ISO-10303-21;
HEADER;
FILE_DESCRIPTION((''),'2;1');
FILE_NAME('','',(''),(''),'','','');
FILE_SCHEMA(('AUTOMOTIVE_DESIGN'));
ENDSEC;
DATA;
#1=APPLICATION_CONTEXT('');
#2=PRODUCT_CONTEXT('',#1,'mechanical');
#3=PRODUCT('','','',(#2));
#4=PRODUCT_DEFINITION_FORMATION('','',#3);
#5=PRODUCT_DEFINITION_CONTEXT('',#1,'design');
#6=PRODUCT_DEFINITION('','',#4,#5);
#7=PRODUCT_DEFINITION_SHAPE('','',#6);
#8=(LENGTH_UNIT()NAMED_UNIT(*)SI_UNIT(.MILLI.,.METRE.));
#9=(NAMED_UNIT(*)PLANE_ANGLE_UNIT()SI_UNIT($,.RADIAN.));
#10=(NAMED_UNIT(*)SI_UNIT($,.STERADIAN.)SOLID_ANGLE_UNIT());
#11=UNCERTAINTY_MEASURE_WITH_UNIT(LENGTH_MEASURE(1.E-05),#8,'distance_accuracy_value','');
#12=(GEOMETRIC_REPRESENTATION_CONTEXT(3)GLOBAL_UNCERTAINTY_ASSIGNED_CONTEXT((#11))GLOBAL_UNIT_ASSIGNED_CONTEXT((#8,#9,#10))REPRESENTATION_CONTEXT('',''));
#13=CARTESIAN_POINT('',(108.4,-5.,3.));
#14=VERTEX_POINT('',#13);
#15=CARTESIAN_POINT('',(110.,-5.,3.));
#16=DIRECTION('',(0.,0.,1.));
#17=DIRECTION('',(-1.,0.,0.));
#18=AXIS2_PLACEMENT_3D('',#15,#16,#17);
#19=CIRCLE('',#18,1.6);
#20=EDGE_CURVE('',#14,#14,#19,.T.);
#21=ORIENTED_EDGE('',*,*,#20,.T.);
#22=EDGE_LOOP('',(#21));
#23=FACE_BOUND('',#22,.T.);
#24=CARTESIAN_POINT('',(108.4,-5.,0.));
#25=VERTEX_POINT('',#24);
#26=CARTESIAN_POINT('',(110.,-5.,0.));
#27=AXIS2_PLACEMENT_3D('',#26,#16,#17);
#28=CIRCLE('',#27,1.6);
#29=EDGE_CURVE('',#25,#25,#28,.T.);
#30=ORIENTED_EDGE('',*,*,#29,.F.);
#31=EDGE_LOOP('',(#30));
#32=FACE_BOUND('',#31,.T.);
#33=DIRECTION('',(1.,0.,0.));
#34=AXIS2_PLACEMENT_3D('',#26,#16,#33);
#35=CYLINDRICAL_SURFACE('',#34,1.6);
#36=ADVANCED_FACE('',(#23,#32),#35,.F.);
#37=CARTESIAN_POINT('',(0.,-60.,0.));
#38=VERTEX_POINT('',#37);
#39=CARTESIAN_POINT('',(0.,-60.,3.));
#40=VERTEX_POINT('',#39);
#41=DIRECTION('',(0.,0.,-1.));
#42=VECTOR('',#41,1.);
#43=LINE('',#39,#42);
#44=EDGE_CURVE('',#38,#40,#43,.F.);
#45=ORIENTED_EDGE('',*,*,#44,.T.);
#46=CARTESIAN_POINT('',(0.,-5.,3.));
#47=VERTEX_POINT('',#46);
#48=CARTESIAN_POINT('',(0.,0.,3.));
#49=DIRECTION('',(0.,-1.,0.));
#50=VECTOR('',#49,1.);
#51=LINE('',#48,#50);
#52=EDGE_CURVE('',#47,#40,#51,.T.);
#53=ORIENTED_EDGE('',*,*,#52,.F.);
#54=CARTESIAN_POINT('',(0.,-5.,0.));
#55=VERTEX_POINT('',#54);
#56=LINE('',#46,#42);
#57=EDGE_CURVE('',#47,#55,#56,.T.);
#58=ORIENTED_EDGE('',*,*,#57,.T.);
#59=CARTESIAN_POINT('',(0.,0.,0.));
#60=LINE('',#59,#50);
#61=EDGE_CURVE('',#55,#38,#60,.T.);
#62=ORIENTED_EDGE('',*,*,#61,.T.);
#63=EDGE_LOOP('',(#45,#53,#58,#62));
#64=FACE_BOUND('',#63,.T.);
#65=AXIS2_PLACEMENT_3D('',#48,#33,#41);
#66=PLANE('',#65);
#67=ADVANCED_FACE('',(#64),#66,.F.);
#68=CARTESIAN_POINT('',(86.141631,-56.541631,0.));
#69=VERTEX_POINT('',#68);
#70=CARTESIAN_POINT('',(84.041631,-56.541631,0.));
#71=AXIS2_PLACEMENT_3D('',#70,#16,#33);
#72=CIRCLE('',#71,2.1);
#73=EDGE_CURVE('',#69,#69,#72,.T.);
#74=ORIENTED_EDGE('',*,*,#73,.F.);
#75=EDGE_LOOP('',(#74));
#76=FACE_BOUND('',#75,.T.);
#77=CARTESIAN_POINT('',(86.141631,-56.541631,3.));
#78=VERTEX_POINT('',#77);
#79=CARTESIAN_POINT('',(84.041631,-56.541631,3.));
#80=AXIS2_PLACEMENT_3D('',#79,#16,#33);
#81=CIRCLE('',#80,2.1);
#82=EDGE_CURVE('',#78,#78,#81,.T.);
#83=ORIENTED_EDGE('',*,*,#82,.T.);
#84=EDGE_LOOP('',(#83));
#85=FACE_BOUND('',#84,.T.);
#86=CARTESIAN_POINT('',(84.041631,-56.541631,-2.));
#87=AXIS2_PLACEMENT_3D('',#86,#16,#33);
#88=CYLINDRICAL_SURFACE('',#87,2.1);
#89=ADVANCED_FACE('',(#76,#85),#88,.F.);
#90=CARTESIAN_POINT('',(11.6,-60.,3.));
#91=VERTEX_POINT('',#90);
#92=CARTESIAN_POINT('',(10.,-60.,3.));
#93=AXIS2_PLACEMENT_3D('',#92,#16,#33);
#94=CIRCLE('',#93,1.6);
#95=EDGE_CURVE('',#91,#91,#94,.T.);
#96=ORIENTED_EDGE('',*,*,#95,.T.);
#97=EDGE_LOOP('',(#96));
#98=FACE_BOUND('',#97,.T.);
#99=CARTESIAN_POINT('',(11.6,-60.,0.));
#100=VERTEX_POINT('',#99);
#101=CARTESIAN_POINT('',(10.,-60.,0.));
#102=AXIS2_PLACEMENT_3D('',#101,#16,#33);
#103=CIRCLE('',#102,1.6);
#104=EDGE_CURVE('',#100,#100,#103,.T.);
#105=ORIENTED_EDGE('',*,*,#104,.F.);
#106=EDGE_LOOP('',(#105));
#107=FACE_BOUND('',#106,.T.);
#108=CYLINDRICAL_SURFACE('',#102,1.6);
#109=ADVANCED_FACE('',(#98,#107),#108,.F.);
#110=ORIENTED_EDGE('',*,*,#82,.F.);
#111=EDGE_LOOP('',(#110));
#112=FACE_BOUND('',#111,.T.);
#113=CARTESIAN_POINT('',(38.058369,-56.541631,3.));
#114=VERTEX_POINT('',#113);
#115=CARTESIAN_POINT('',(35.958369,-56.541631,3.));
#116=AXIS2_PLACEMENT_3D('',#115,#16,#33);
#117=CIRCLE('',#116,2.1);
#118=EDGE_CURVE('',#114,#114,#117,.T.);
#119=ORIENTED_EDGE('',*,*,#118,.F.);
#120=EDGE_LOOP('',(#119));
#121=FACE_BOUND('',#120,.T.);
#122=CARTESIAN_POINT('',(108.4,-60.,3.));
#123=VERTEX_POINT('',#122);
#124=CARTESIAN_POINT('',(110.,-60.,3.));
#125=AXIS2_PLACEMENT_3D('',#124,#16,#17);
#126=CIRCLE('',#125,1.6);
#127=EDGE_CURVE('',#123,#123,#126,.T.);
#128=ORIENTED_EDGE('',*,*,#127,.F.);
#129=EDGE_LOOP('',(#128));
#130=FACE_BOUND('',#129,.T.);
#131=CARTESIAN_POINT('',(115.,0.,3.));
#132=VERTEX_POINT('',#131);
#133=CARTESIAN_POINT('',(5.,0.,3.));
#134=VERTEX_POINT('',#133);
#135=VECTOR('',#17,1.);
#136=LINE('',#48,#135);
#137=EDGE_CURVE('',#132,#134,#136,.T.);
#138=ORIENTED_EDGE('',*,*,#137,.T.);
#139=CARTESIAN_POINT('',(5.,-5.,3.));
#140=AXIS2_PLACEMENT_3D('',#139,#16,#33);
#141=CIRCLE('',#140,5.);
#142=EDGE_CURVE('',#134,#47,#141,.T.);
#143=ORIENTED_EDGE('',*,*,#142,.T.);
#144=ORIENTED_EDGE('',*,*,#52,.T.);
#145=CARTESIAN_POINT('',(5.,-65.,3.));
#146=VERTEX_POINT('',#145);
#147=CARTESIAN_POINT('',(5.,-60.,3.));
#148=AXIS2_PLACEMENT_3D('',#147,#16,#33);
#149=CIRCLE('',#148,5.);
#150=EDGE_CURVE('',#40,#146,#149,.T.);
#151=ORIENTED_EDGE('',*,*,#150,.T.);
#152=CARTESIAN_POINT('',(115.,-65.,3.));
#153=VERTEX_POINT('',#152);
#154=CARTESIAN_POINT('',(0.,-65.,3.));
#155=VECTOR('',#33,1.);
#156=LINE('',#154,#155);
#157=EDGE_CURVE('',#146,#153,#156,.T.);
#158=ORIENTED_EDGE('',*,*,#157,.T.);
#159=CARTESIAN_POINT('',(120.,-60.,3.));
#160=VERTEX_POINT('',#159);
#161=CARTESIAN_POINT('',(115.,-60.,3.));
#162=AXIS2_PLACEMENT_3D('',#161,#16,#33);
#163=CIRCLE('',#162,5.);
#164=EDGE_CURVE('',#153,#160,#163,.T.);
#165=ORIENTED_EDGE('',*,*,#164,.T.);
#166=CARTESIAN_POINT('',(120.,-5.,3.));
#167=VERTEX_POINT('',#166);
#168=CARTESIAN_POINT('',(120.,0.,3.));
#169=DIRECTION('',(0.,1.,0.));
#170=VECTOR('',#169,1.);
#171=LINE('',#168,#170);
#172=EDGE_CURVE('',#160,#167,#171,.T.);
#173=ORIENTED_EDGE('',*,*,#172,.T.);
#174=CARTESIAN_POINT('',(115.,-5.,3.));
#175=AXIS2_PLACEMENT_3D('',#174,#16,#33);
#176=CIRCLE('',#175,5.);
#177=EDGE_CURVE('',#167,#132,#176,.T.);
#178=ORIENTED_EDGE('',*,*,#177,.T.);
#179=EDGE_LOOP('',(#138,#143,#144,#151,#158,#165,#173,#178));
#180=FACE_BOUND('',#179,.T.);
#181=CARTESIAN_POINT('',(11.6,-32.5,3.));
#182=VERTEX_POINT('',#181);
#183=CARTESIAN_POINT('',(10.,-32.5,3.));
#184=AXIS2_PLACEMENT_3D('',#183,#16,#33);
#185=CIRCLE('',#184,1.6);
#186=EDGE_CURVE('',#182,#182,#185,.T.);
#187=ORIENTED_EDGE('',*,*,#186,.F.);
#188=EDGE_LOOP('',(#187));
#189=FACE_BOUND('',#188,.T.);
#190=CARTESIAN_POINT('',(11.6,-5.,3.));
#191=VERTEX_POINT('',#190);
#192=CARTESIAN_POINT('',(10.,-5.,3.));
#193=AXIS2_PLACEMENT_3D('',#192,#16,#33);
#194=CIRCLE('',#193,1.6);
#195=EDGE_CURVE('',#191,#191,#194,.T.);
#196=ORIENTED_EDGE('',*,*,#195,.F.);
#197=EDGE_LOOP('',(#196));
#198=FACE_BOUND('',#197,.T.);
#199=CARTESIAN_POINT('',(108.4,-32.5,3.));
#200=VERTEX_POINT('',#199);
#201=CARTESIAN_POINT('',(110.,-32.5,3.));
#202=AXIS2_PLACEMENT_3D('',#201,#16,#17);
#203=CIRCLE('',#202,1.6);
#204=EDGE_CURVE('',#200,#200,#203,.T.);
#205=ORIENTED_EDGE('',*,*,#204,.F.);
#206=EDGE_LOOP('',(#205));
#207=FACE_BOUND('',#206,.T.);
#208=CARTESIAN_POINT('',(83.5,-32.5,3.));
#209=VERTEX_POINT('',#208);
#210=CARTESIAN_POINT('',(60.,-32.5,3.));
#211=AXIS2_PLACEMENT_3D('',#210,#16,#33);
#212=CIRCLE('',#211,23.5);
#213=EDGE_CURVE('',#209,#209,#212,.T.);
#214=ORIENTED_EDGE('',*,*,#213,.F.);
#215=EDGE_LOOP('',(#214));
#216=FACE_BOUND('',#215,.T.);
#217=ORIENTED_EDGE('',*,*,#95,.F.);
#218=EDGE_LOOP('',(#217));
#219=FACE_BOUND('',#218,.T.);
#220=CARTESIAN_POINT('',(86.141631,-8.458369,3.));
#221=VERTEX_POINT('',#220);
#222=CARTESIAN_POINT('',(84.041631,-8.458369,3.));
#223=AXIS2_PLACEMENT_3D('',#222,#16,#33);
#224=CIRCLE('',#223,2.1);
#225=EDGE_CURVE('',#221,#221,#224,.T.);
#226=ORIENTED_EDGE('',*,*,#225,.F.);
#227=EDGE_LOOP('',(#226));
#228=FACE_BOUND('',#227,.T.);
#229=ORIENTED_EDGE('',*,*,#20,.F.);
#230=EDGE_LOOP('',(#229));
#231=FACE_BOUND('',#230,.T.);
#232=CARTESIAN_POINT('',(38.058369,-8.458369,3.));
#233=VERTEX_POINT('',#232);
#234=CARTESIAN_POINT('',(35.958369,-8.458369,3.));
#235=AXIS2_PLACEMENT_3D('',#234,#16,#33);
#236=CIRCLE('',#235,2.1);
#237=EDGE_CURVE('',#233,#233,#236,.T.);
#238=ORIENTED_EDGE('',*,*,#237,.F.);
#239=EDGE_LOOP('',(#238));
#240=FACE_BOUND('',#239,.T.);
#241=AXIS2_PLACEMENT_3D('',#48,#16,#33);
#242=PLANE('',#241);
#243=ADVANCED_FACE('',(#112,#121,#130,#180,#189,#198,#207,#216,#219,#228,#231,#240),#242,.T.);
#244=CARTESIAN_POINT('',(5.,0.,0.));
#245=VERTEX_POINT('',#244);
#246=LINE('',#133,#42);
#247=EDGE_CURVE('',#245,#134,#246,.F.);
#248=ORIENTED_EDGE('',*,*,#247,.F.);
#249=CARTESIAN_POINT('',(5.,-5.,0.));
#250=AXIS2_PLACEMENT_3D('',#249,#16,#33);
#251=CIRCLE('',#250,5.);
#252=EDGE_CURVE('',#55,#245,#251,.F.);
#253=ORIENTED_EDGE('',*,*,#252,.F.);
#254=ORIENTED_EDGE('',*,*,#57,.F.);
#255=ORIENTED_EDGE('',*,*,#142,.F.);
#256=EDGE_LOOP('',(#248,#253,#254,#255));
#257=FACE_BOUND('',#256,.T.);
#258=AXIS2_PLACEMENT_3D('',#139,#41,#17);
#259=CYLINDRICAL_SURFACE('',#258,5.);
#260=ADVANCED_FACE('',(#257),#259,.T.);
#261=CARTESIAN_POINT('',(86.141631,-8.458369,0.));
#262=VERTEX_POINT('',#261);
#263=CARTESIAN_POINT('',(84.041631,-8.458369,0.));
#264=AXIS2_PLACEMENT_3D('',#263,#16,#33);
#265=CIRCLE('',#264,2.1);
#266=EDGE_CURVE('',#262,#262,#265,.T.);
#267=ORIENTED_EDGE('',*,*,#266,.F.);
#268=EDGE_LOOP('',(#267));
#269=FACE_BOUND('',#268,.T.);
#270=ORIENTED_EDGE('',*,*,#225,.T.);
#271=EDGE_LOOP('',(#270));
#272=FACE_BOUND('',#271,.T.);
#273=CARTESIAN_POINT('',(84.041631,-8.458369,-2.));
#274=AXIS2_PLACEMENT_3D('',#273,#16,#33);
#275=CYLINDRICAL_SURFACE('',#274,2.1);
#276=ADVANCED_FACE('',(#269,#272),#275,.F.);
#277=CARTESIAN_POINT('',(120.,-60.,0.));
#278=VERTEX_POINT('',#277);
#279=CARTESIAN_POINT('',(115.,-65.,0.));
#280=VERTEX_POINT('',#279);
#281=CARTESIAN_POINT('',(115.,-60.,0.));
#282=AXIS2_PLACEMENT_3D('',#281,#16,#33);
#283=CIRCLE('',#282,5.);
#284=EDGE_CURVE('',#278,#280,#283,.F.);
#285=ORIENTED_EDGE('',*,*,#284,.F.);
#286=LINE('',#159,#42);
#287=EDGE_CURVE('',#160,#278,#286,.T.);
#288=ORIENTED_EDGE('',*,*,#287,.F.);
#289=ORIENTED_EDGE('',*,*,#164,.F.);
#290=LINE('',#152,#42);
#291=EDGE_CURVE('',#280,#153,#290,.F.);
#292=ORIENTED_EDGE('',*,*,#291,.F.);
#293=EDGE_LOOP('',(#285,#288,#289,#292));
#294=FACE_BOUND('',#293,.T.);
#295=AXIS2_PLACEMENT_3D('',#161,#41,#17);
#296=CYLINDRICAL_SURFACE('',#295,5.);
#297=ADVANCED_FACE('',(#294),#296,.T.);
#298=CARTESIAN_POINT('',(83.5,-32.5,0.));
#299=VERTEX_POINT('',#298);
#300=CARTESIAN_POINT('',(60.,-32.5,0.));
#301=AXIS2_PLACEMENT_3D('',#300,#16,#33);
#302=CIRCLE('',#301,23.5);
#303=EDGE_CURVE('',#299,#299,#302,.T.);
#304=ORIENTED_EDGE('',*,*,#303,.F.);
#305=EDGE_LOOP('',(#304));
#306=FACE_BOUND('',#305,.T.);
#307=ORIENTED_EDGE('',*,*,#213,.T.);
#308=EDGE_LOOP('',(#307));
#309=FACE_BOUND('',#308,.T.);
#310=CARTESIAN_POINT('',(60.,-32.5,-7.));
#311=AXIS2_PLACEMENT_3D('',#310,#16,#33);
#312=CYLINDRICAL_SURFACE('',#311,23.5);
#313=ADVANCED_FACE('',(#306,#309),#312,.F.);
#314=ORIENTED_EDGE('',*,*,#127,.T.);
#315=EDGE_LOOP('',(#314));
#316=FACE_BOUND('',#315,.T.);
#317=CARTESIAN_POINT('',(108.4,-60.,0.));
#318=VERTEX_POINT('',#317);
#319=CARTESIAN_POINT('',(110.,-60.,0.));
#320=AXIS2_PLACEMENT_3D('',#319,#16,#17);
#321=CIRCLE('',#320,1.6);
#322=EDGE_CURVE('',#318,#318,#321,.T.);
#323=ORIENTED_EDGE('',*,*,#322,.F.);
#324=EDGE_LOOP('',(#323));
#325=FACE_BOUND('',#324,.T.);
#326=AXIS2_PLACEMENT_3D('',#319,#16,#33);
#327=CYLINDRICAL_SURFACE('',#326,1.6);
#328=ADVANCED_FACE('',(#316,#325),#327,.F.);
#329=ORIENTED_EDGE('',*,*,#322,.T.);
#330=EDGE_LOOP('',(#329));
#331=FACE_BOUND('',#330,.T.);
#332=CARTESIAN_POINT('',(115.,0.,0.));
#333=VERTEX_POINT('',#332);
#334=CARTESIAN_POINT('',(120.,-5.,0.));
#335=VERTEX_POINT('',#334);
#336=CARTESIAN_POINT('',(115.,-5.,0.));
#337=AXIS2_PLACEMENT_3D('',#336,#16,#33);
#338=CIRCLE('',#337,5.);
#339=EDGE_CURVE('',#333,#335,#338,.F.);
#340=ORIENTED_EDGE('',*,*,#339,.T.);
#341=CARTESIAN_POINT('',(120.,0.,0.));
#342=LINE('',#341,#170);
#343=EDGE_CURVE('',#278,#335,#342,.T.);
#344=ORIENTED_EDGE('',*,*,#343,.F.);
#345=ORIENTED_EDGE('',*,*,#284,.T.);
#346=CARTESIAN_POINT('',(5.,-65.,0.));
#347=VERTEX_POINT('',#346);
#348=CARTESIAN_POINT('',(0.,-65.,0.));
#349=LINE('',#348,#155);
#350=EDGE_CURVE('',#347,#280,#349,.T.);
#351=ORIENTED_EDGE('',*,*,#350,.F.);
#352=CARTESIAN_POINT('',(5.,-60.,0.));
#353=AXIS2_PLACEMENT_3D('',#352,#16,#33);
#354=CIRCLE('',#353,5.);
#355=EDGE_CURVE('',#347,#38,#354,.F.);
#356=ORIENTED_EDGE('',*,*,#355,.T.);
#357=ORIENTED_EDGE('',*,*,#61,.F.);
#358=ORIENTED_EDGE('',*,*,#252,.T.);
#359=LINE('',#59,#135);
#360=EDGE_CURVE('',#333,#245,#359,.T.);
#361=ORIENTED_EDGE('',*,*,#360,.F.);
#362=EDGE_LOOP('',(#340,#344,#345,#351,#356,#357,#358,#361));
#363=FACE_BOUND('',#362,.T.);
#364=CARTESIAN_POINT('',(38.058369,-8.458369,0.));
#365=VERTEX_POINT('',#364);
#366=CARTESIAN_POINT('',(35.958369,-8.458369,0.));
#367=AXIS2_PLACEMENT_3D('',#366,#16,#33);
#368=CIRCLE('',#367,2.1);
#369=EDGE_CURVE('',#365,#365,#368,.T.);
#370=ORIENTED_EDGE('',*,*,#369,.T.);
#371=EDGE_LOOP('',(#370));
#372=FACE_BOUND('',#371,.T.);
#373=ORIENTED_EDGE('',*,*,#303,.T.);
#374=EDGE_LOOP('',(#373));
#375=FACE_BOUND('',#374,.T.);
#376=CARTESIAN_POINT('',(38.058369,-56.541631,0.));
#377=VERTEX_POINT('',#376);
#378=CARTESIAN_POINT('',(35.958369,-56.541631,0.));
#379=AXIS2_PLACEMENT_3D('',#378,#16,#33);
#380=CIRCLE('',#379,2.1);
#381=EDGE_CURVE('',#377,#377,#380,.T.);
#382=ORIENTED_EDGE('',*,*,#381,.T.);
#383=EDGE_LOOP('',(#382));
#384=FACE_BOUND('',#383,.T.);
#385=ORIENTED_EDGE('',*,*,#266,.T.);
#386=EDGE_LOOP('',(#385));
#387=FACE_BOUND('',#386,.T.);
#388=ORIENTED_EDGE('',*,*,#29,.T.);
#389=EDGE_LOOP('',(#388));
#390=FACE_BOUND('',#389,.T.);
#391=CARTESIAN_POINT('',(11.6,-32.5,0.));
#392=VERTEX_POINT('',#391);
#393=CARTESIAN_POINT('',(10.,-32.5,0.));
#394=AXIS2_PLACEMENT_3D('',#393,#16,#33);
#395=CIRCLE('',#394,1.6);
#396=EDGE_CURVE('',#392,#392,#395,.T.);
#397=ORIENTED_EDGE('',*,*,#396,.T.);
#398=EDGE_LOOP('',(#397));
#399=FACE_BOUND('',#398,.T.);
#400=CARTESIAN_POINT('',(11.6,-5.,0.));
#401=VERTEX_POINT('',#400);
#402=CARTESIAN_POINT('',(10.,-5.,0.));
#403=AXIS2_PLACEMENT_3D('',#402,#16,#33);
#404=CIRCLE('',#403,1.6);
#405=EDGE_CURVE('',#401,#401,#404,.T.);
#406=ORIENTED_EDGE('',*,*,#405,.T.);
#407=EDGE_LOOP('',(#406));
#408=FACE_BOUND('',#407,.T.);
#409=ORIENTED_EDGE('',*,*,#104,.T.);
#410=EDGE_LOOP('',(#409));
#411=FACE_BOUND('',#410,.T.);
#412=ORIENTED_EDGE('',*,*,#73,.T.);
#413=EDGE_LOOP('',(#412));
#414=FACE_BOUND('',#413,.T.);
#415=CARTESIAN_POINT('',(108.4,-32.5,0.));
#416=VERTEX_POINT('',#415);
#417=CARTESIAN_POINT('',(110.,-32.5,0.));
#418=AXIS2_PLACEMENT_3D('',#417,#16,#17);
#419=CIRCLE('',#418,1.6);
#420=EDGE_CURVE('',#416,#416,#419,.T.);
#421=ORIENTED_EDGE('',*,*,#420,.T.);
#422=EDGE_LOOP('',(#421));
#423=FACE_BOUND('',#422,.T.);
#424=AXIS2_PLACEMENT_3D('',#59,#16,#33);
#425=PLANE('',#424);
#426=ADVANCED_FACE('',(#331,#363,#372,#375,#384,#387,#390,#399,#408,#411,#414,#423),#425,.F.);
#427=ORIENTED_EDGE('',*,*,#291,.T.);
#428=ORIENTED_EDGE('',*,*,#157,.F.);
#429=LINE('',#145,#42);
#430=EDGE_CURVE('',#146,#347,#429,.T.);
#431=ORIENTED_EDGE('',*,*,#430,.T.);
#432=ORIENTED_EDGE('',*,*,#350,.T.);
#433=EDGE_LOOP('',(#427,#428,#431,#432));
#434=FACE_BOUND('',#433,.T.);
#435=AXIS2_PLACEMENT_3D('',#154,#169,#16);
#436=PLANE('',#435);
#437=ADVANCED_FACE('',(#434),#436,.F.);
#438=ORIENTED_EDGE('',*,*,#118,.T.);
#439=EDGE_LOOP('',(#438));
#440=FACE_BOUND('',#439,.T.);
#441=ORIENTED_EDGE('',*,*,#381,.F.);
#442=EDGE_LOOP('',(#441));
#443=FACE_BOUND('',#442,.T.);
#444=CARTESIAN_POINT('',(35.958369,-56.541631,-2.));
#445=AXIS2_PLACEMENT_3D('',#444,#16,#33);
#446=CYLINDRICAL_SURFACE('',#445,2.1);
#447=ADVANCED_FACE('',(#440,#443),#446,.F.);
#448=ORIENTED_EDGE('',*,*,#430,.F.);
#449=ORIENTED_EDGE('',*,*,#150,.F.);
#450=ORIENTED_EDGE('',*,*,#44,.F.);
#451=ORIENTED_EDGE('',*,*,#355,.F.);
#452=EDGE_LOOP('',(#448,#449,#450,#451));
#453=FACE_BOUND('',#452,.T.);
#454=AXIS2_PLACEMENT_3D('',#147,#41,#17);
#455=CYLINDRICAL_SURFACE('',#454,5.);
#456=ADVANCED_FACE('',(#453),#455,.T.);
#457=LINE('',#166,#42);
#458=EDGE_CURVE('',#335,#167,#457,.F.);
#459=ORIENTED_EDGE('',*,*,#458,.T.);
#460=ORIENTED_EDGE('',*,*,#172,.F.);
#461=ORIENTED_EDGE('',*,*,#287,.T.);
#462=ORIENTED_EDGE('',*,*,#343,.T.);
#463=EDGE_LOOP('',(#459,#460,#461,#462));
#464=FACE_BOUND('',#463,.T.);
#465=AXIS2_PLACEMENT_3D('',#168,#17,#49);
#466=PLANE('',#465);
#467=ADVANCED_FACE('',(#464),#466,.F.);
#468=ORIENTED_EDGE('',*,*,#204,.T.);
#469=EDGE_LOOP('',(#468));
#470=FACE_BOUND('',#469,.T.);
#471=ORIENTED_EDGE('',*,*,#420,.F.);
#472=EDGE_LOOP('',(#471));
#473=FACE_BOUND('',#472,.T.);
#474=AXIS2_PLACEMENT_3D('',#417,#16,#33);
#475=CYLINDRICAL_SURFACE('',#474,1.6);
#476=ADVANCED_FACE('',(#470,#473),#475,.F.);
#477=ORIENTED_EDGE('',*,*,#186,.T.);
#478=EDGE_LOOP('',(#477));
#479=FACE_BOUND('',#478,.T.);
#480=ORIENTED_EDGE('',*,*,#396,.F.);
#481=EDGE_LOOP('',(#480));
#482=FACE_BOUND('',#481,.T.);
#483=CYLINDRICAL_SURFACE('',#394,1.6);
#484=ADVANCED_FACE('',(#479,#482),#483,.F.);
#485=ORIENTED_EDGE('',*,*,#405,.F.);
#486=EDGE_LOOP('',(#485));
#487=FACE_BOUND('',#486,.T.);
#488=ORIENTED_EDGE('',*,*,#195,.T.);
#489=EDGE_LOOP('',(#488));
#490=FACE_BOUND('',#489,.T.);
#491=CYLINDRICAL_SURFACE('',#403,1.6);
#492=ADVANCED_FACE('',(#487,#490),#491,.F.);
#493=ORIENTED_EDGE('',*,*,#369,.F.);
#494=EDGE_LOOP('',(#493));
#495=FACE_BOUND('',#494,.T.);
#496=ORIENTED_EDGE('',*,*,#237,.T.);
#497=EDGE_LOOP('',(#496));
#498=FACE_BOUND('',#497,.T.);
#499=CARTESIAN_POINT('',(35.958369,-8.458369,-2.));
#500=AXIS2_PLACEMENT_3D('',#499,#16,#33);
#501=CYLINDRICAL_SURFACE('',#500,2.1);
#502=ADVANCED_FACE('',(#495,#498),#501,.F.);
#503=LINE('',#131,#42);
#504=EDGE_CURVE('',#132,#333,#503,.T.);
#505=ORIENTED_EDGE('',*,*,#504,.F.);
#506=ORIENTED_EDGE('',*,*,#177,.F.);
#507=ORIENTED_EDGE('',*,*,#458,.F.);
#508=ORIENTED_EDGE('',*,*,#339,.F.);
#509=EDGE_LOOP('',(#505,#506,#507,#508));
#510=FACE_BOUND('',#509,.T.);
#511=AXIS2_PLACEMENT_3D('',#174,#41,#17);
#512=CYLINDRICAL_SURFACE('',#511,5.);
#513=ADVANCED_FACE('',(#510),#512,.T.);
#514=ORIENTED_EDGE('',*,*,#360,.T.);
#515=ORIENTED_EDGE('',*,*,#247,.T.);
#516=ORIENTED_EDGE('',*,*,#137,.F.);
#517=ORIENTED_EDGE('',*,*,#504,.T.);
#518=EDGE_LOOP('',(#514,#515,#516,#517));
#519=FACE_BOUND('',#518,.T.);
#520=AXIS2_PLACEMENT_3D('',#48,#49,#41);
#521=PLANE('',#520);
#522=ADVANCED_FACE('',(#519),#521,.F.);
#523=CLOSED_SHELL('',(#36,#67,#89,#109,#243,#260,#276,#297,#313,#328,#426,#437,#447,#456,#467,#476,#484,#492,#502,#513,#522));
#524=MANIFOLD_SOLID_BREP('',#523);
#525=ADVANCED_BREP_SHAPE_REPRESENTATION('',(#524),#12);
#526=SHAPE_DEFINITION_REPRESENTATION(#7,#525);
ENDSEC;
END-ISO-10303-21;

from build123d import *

# Parameters (mm, degrees)
SKETCH_1_W          = 120
SKETCH_1_H          = 65
EXTRUDE_1_DEPTH     = 3
SKETCH_2_R          = 1.6
CUT_EXTRUDE_1_DEPTH = 137.506410106
FILLET_1_R          = 5
SKETCH_3_R          = 23.5
CUT_EXTRUDE_2_DEPTH = 10
SKETCH_4_R          = 2.1
CUT_EXTRUDE_3_DEPTH = 5


with BuildPart() as part:
    # 草图1 → 凸台-拉伸1 (new body)
    with BuildSketch(Plane.XY):
        with Locations((60, -32.5)):
            Rectangle(SKETCH_1_W, SKETCH_1_H)
    extrude(amount=EXTRUDE_1_DEPTH)

    # 草图2 → 切除-拉伸1 (cut, through all)
    with BuildSketch(Plane.XY.offset(3)):
        with Locations((10, -5)):
            Circle(SKETCH_2_R)
        with Locations((10, -32.5)):
            Circle(SKETCH_2_R)
        with Locations((10, -60)):
            Circle(SKETCH_2_R)
        with Locations(Location((110, -60, 0), (0, 0, 180))):
            Circle(SKETCH_2_R)
        with Locations(Location((110, -32.5, 0), (0, 0, 180))):
            Circle(SKETCH_2_R)
        with Locations(Location((110, -5, 0), (0, 0, 180))):
            Circle(SKETCH_2_R)
    extrude(amount=-CUT_EXTRUDE_1_DEPTH, mode=Mode.SUBTRACT)

    # 圆角1
    fillet_1_edges = [part.edges().sort_by_distance(p)[0] for p in [
        (0, 0, 1.5),
        (120, 0, 1.5),
        (120, -65, 1.5),
        (0, -65, 1.5),
    ]]
    fillet(fillet_1_edges, radius=FILLET_1_R)

    # 草图3 → 切除-拉伸2 (cut)
    with BuildSketch(Plane.XY.offset(3)):
        with Locations((60, -32.5)):
            Circle(SKETCH_3_R)
    extrude(amount=-CUT_EXTRUDE_2_DEPTH, mode=Mode.SUBTRACT)

    # 草图4 → 切除-拉伸3 (cut, symmetric)
    with BuildSketch(Plane.XY.offset(3)):
        with Locations((84.04163056, -8.45836944)):
            Circle(SKETCH_4_R)
        with Locations((84.04163056, -56.54163056)):
            Circle(SKETCH_4_R)
        with Locations((35.95836944, -56.54163056)):
            Circle(SKETCH_4_R)
        with Locations((35.95836944, -8.45836944)):
            Circle(SKETCH_4_R)
    extrude(amount=CUT_EXTRUDE_3_DEPTH, both=True, mode=Mode.SUBTRACT)


solid = part.part
